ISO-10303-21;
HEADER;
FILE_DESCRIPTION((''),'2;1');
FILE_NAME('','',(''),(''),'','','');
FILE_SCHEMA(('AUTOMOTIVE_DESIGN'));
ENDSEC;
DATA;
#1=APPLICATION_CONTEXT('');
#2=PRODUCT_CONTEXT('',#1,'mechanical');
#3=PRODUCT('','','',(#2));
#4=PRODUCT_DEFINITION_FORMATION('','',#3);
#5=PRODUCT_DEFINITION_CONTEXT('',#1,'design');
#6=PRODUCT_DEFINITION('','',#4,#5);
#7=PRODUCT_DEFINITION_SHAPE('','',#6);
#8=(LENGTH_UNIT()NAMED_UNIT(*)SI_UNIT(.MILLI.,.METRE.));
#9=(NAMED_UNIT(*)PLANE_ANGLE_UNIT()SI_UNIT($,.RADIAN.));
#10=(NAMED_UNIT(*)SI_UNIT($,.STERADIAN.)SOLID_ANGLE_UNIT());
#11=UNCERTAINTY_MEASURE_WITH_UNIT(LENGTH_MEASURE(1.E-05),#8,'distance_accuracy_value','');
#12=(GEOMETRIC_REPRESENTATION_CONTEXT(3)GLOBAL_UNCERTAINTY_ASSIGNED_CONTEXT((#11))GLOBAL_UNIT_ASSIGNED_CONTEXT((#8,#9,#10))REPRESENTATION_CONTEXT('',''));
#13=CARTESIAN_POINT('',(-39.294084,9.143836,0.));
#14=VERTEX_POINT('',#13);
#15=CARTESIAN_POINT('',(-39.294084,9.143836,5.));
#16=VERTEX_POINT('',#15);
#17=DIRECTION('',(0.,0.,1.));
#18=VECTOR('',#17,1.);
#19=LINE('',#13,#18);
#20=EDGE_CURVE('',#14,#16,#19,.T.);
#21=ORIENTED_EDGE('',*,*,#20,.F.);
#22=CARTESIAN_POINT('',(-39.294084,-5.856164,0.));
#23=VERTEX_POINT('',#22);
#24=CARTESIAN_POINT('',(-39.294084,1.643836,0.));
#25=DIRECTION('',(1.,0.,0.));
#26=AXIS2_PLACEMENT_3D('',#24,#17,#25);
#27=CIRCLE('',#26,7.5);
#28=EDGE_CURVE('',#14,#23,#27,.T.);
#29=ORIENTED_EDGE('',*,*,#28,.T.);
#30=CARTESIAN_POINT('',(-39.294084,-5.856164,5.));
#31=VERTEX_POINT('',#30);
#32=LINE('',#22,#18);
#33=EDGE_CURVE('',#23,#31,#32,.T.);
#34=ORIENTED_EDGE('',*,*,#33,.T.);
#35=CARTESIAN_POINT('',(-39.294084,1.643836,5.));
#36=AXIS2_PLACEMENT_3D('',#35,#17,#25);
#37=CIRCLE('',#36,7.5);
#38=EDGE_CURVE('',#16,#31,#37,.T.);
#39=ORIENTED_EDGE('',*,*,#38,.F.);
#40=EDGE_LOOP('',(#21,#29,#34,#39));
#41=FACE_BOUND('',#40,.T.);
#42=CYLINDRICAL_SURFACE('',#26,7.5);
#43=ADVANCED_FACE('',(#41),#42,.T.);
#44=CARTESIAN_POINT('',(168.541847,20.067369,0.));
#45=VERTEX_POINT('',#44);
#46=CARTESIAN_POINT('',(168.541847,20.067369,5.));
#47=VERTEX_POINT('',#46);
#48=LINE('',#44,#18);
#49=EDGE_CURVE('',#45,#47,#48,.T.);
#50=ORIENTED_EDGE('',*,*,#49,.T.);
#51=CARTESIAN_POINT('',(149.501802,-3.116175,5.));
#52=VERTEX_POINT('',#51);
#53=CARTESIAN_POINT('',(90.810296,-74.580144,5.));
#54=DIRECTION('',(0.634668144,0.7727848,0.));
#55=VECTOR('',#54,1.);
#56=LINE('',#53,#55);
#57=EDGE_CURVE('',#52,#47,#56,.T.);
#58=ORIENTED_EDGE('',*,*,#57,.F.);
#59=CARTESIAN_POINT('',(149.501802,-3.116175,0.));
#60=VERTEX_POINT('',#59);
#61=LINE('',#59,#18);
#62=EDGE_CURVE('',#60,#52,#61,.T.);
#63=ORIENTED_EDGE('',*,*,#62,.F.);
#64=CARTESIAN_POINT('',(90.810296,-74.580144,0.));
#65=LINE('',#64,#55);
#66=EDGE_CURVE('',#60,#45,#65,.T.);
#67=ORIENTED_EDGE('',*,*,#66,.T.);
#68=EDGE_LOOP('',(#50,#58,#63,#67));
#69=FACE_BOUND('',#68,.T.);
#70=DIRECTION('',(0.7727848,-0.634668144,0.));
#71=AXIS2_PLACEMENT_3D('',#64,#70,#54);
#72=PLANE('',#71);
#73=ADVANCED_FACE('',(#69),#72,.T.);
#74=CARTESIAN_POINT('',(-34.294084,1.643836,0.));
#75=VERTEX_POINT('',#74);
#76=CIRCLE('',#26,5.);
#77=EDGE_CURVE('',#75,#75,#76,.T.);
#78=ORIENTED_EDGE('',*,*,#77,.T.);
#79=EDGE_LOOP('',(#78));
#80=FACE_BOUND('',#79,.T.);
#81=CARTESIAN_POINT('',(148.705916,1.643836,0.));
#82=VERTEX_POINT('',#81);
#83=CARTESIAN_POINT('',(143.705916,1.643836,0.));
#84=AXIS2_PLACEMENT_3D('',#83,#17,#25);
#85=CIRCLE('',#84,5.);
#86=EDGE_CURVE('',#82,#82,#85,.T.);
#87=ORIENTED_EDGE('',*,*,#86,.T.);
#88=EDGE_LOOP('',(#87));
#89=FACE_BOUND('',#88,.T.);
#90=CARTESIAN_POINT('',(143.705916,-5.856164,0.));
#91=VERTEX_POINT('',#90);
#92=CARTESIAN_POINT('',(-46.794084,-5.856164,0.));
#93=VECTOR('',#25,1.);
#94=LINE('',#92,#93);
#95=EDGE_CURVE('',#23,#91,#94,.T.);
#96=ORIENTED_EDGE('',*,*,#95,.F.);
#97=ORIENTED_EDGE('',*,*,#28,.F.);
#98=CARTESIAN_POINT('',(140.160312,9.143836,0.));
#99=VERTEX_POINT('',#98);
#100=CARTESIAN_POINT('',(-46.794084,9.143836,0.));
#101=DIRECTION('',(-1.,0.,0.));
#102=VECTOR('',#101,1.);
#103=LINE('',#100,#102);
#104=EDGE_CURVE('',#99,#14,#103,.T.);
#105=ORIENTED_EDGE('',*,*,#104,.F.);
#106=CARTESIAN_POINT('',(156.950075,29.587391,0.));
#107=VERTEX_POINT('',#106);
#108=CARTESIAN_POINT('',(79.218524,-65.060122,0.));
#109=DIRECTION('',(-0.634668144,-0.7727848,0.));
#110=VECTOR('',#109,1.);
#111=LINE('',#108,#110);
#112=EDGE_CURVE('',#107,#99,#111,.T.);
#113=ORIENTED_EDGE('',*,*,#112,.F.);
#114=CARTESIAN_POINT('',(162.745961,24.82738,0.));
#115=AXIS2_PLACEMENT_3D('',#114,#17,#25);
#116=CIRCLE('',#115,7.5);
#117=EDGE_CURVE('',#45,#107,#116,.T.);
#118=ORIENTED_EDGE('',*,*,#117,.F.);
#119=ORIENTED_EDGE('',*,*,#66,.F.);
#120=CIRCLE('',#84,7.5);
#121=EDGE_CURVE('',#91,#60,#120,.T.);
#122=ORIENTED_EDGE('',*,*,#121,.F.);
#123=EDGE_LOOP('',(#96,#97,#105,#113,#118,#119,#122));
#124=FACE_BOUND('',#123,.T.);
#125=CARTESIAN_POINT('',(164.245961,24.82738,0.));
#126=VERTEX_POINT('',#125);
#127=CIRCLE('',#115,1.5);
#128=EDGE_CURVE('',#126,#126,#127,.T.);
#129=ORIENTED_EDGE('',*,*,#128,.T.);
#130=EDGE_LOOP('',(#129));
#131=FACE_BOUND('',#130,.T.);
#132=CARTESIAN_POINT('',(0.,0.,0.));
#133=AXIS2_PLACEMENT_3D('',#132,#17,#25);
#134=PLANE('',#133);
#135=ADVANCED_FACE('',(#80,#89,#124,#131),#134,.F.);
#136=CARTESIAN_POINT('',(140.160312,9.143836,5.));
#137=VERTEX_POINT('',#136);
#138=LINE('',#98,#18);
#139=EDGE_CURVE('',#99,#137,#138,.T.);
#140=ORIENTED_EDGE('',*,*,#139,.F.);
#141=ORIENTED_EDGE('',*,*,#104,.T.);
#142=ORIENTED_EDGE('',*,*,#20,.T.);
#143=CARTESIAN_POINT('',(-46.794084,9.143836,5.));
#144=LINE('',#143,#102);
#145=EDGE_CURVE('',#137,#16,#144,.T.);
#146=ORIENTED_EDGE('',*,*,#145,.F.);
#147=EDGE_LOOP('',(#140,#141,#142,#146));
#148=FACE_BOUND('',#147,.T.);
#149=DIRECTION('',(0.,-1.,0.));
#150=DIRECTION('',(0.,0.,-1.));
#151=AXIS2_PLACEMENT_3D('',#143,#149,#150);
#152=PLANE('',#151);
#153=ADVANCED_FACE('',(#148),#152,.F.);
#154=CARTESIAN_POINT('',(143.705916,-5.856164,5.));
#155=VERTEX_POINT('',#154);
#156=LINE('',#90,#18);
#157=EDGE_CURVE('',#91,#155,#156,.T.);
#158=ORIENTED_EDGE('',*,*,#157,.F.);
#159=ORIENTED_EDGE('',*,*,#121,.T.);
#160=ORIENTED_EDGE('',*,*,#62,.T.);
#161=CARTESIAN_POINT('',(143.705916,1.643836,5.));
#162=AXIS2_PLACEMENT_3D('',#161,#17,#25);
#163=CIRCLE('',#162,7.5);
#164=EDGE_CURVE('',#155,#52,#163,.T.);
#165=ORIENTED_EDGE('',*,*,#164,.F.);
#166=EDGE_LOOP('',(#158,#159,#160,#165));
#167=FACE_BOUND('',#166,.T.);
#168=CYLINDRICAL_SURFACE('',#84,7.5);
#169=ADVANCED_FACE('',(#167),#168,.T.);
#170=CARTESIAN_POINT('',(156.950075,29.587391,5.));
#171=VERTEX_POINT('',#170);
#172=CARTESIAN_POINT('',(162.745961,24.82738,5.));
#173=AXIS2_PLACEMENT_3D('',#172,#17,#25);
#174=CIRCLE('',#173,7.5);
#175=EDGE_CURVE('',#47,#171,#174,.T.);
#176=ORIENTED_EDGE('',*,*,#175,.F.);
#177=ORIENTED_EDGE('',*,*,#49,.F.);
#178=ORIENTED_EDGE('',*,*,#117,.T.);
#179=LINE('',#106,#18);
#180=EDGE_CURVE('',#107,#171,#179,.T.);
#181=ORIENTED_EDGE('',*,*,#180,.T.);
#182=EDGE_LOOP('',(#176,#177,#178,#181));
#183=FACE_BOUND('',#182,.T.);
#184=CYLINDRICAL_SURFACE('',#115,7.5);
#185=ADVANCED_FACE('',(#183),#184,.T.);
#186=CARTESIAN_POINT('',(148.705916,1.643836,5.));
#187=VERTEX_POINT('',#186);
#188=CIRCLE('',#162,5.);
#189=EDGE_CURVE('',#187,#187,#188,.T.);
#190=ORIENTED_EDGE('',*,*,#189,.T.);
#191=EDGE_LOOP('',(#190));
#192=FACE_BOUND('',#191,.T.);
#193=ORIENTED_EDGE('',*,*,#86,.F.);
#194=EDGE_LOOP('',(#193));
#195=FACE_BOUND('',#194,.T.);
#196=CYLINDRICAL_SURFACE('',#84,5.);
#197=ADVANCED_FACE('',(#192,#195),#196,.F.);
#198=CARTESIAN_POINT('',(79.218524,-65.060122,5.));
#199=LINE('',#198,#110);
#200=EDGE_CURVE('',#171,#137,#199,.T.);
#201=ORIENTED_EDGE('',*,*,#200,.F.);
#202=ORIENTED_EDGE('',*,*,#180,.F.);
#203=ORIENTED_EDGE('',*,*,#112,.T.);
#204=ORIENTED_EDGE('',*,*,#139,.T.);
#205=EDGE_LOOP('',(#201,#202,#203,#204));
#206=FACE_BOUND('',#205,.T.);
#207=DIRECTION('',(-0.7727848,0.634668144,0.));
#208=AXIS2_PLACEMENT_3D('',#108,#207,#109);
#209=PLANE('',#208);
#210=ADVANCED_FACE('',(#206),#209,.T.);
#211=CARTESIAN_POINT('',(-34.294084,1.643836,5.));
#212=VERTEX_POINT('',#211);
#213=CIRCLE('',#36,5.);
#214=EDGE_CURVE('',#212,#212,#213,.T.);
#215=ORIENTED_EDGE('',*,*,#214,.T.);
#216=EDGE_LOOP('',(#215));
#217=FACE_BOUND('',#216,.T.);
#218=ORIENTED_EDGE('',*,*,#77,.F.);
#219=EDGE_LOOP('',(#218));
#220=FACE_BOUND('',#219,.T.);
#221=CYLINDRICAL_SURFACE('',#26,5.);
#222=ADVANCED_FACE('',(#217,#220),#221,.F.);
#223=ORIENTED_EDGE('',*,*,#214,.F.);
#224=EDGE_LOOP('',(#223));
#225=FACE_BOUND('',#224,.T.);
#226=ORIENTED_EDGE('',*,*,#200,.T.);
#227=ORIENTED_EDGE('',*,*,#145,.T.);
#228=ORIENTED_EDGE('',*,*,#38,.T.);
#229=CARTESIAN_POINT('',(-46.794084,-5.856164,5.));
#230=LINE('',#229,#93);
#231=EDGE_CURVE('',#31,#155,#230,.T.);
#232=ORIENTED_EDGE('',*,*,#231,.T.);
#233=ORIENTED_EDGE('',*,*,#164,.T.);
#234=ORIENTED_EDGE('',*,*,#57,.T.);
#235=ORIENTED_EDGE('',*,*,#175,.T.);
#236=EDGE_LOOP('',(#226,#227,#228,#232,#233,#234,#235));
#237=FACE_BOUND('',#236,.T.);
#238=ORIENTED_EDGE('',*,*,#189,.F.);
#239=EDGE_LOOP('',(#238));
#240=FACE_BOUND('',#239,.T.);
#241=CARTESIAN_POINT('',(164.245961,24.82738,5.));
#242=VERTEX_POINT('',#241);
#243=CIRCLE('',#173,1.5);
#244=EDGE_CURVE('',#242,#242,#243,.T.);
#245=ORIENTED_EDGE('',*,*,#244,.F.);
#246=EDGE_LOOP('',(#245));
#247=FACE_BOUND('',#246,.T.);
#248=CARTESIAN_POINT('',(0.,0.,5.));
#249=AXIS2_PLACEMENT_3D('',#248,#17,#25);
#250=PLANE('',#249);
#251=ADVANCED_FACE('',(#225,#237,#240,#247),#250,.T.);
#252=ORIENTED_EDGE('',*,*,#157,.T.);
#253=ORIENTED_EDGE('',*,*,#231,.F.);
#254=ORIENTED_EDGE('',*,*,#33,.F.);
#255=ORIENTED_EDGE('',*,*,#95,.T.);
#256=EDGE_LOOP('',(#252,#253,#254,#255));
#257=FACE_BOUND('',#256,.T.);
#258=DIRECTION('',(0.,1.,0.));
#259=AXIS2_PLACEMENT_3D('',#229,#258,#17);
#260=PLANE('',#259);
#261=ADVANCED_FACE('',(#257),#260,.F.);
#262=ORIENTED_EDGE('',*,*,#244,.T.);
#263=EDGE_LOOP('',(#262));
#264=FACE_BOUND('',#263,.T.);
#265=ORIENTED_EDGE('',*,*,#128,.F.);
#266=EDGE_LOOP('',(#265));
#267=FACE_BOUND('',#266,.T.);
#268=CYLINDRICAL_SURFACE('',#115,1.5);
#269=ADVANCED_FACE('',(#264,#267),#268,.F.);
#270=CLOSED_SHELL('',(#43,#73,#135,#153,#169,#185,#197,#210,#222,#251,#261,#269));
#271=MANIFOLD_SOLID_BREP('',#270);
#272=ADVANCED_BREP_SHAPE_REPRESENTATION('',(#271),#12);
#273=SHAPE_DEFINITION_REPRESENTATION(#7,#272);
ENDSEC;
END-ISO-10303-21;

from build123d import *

# Parameters (mm, degrees)
SKETCH1_W           = 198
SKETCH1_H           = 15
BOSS_EXTRUDE1_DEPTH = 5
SKETCH2_R           = 5
CUT_EXTRUDE1_DEPTH  = 6
SKETCH3_R           = 1.5
BOSS_EXTRUDE2_DEPTH = 5


with BuildPart() as part:
    # Sketch1 → Boss-Extrude1 (new body)
    with BuildSketch(Plane.XY):
        with Locations((52.20591631, 1.643835616)):
            Rectangle(SKETCH1_W, SKETCH1_H)
    extrude(amount=BOSS_EXTRUDE1_DEPTH)

    # Sketch2 → Cut-Extrude1 (cut, through all)
    with BuildSketch(Plane.XY.offset(5)):
        with BuildLine():
            Line((-39.29408369, 9.143835616), (-46.79408369, 9.143835616))
            Line((-46.79408369, 9.143835616), (-46.79408369, 1.643835616))
            ThreePointArc((-46.79408369, 1.643835616), (-44.597384548, 6.947136475), (-39.29408369, 9.143835616))
        make_face()
        with BuildLine():
            ThreePointArc((-39.29408369, -5.856164384), (-44.597384548, -3.659465242), (-46.79408369, 1.643835616))
            Line((-46.79408369, 1.643835616), (-46.79408369, -5.856164384))
            Line((-46.79408369, -5.856164384), (-39.29408369, -5.856164384))
        make_face()
        with BuildLine():
            Line((151.20591631, 9.143835616), (143.70591631, 9.143835616))
            ThreePointArc((143.70591631, 9.143835616), (149.009217169, 6.947136475), (151.20591631, 1.643835616))
            Line((151.20591631, 1.643835616), (151.20591631, 9.143835616))
        make_face()
        with BuildLine():
            ThreePointArc((151.20591631, 1.643835616), (149.009217169, -3.659465242), (143.70591631, -5.856164384))
            Line((143.70591631, -5.856164384), (151.20591631, -5.856164384))
            Line((151.20591631, -5.856164384), (151.20591631, 1.643835616))
        make_face()
        with Locations((-39.29408369, 1.643835616)):
            Circle(SKETCH2_R)
        with Locations((143.70591631, 1.643835616)):
            Circle(SKETCH2_R)
    extrude(amount=-CUT_EXTRUDE1_DEPTH, mode=Mode.SUBTRACT)

    # Sketch3 → Boss-Extrude2 (add)
    with BuildSketch(Plane.XY.offset(5)):
        with BuildLine():
            ThreePointArc((143.70591631, 9.143835616), (150.486406082, 4.849293221), (149.50180231, -3.116175463))
            Line((149.50180231, -3.116175463), (168.541846628, 20.067368536))
            ThreePointArc((168.541846628, 20.067368536), (167.505971708, 30.623265615), (156.950074629, 29.587390695))
            Line((156.950074629, 29.587390695), (140.160312255, 9.143835616))
            Line((140.160312255, 9.143835616), (143.70591631, 9.143835616))
        make_face()
        with Locations((162.745960629, 24.827379616)):
            Circle(SKETCH3_R, mode=Mode.SUBTRACT)
    extrude(amount=-BOSS_EXTRUDE2_DEPTH)


solid = part.part
